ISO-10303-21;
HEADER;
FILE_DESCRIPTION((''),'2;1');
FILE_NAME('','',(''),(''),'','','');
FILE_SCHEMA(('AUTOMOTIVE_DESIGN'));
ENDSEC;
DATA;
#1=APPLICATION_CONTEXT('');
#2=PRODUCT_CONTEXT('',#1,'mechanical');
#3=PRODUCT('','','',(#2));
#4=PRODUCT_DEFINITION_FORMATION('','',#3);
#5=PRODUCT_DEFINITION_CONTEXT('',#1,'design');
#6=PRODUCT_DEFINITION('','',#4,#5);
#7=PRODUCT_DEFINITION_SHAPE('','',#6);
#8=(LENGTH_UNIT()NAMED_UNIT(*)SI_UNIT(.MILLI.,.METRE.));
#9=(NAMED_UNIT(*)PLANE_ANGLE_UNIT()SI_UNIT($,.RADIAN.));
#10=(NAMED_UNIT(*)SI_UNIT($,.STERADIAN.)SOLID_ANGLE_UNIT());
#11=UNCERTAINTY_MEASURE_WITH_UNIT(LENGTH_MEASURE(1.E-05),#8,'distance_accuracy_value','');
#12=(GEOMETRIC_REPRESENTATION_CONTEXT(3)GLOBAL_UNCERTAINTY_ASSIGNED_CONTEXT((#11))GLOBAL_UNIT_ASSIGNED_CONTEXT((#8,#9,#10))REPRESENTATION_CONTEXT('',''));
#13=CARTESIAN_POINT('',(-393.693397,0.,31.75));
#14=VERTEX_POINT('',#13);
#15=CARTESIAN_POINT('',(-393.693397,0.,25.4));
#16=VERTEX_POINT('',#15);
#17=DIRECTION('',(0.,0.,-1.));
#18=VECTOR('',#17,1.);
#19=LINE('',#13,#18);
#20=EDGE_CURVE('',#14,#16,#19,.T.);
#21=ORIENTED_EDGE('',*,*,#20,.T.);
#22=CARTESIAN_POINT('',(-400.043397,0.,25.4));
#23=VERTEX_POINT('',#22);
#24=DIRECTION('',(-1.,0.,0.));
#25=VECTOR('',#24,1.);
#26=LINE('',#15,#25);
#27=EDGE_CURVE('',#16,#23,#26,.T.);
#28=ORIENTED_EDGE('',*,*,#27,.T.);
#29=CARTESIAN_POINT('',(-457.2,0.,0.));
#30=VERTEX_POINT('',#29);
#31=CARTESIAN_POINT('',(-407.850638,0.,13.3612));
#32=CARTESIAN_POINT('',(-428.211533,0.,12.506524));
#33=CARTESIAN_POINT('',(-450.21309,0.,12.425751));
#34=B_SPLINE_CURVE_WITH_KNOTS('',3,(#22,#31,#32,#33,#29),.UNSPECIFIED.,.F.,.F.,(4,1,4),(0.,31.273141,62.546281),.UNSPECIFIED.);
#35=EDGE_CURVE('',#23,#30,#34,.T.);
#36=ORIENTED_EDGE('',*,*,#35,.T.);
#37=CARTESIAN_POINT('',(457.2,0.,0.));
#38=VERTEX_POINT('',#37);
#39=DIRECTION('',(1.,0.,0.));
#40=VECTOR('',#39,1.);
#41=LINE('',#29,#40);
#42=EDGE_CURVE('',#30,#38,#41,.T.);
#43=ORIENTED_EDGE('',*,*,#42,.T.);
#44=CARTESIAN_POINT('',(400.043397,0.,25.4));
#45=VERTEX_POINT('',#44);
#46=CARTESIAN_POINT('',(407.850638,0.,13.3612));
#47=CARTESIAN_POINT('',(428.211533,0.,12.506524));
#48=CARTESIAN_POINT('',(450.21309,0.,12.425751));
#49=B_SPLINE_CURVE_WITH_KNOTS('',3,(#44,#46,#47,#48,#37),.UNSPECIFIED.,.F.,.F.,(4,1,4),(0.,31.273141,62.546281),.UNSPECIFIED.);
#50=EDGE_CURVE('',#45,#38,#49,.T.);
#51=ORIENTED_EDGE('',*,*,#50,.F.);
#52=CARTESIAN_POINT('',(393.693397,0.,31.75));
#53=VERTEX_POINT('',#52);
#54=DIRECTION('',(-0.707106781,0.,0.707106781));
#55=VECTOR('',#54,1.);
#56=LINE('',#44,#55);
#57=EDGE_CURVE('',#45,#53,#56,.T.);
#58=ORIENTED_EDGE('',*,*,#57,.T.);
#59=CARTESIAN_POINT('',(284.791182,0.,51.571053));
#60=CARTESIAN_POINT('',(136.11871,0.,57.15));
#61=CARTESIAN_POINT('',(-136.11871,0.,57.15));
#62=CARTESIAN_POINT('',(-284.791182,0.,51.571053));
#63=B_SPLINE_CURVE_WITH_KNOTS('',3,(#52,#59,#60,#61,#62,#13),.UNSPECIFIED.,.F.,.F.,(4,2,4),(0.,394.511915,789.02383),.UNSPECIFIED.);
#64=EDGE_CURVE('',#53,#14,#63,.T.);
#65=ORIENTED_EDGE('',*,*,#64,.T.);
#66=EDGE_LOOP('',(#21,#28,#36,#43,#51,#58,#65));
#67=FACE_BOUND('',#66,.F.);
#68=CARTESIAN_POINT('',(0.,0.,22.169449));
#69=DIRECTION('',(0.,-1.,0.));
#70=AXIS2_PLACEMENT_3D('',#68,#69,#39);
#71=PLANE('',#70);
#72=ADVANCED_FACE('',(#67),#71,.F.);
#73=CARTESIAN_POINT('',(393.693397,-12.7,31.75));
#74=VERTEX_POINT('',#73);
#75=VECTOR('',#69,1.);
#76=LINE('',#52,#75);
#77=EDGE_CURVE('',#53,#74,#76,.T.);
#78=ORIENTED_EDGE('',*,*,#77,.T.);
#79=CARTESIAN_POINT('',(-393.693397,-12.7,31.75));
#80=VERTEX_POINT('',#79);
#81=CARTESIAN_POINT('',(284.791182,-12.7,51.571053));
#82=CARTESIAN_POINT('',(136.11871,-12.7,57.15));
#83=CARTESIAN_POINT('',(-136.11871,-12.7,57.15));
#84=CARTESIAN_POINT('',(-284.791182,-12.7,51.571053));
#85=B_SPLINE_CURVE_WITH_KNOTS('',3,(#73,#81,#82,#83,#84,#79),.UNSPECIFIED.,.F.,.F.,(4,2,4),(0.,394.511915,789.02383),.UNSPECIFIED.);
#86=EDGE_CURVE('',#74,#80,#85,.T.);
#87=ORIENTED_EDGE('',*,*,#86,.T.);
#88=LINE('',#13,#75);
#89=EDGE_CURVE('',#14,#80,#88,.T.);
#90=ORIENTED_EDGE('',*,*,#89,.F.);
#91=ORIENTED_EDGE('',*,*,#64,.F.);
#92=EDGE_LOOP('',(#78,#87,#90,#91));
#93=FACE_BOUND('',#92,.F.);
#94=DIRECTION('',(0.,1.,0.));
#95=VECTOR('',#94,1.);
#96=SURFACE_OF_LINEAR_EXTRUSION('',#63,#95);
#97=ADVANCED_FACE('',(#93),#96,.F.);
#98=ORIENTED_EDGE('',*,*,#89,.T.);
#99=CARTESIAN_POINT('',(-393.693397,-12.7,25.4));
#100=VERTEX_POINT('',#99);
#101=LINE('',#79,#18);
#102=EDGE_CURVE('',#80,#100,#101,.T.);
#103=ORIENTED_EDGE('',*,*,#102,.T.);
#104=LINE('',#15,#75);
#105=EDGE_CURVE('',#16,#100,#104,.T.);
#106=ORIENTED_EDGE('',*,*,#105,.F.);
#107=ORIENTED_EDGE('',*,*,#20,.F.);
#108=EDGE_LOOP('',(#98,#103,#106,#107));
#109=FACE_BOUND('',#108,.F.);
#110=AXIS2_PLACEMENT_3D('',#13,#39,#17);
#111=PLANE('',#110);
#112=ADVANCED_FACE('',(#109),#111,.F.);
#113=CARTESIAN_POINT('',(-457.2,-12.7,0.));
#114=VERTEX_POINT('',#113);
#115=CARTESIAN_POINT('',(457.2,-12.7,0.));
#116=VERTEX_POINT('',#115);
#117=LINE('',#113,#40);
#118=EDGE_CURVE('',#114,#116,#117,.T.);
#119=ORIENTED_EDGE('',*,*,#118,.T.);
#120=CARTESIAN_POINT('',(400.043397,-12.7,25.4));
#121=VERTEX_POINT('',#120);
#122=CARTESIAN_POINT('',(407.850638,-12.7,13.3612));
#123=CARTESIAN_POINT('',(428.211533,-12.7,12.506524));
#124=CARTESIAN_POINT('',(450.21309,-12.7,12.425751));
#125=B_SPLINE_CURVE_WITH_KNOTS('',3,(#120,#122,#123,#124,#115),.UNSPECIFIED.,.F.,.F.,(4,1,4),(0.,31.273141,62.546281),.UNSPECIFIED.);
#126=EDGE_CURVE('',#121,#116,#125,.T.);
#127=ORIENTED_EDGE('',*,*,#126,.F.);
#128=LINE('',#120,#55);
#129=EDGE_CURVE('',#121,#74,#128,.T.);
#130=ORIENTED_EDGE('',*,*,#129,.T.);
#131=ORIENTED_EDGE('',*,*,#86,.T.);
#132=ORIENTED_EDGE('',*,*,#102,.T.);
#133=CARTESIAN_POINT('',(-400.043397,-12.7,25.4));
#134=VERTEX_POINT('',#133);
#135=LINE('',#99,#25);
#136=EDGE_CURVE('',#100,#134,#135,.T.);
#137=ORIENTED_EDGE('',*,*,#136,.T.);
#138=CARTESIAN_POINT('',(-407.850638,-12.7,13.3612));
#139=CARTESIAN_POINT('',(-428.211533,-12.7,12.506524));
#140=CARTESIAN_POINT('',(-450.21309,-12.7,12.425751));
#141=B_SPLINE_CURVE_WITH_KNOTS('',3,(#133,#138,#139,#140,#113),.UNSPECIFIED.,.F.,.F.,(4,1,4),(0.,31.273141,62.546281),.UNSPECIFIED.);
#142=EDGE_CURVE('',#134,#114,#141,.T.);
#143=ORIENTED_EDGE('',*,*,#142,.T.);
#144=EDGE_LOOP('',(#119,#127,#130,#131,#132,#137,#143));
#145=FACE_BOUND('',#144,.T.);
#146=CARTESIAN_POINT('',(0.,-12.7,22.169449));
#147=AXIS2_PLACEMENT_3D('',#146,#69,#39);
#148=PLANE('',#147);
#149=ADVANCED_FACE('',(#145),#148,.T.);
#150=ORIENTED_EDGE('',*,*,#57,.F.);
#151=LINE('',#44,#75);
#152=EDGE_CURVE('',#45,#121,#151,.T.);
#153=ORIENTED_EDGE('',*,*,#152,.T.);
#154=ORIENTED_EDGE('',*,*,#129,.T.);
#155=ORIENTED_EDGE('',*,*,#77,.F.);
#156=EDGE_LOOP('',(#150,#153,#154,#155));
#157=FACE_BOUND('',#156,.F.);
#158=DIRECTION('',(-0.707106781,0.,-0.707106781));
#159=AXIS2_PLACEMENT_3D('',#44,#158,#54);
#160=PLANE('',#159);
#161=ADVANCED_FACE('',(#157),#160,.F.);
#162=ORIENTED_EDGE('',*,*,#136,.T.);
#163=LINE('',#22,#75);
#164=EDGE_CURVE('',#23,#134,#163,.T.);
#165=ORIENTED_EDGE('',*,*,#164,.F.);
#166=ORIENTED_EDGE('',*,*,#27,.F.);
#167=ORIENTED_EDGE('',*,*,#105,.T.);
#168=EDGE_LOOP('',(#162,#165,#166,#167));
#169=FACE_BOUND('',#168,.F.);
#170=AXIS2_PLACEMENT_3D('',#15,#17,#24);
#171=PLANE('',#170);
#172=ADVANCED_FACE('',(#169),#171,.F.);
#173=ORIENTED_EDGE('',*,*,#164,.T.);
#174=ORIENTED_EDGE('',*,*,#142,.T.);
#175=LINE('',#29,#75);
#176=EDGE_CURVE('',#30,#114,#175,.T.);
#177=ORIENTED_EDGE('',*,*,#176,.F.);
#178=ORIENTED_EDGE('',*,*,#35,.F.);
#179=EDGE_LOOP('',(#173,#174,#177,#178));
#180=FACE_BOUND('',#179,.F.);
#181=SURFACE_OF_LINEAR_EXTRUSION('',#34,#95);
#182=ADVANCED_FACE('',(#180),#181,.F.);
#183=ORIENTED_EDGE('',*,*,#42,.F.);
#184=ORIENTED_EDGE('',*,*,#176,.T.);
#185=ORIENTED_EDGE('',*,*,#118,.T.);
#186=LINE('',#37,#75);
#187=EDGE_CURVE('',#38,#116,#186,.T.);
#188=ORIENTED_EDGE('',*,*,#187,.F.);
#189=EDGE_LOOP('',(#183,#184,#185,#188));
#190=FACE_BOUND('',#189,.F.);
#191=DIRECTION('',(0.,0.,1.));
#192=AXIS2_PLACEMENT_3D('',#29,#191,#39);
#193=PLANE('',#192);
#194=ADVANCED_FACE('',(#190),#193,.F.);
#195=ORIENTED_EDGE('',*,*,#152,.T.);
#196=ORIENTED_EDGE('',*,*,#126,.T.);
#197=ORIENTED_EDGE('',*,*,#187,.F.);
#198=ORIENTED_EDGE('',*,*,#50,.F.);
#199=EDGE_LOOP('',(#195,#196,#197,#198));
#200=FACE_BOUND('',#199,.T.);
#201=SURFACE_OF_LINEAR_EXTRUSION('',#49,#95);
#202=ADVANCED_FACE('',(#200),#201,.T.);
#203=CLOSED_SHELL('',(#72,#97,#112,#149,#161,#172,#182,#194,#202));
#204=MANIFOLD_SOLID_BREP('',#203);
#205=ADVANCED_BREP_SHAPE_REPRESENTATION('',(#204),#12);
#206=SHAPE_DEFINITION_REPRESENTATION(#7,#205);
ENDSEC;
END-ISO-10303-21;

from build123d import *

# Parameters (mm, degrees)
F1_DEPTH = 12.7


with BuildPart() as f1:
    # F0 (on Front) → F1 (new body)
    with BuildSketch(Plane.XZ):
        with BuildLine():
            add(Edge.make_bspline(
                [(-400.043397, 25.4), (-407.850638, 13.3612), (-428.211533, 12.506524), (-450.21309, 12.425751), (-457.2, 0)],
                knots=[0, 0, 0, 0, 31.273141, 62.546281, 62.546281, 62.546281, 62.546281], degree=3))
            Line((-457.2, 0), (0, 0))
            Line((0, 0), (457.2, 0))
            add(Edge.make_bspline(
                [(400.043397, 25.4), (407.850638, 13.3612), (428.211533, 12.506524), (450.21309, 12.425751), (457.2, 0)],
                knots=[0, 0, 0, 0, 31.273141, 62.546281, 62.546281, 62.546281, 62.546281], degree=3))
            Line((400.043397, 25.4), (393.693397, 25.4))
            Line((393.693397, 25.4), (393.693397, 31.75))
            add(Edge.make_bspline(
                [(393.693397, 31.75), (284.791182, 51.571053), (136.11871, 57.15), (0, 57.15)],
                knots=[0, 0, 0, 0, 394.511915, 394.511915, 394.511915, 394.511915], degree=3))
            add(Edge.make_bspline(
                [(-393.693397, 31.75), (-284.791182, 51.571053), (-136.11871, 57.15), (0, 57.15)],
                knots=[0, 0, 0, 0, 394.511915, 394.511915, 394.511915, 394.511915], degree=3))
            Line((-393.693397, 31.75), (-393.693397, 25.4))
            Line((-393.693397, 25.4), (-400.043397, 25.4))
        make_face()
        Polygon((393.693397, 25.4), (400.043397, 25.4), (393.693397, 31.75), align=None)
    extrude(amount=F1_DEPTH)


solid = f1.part
